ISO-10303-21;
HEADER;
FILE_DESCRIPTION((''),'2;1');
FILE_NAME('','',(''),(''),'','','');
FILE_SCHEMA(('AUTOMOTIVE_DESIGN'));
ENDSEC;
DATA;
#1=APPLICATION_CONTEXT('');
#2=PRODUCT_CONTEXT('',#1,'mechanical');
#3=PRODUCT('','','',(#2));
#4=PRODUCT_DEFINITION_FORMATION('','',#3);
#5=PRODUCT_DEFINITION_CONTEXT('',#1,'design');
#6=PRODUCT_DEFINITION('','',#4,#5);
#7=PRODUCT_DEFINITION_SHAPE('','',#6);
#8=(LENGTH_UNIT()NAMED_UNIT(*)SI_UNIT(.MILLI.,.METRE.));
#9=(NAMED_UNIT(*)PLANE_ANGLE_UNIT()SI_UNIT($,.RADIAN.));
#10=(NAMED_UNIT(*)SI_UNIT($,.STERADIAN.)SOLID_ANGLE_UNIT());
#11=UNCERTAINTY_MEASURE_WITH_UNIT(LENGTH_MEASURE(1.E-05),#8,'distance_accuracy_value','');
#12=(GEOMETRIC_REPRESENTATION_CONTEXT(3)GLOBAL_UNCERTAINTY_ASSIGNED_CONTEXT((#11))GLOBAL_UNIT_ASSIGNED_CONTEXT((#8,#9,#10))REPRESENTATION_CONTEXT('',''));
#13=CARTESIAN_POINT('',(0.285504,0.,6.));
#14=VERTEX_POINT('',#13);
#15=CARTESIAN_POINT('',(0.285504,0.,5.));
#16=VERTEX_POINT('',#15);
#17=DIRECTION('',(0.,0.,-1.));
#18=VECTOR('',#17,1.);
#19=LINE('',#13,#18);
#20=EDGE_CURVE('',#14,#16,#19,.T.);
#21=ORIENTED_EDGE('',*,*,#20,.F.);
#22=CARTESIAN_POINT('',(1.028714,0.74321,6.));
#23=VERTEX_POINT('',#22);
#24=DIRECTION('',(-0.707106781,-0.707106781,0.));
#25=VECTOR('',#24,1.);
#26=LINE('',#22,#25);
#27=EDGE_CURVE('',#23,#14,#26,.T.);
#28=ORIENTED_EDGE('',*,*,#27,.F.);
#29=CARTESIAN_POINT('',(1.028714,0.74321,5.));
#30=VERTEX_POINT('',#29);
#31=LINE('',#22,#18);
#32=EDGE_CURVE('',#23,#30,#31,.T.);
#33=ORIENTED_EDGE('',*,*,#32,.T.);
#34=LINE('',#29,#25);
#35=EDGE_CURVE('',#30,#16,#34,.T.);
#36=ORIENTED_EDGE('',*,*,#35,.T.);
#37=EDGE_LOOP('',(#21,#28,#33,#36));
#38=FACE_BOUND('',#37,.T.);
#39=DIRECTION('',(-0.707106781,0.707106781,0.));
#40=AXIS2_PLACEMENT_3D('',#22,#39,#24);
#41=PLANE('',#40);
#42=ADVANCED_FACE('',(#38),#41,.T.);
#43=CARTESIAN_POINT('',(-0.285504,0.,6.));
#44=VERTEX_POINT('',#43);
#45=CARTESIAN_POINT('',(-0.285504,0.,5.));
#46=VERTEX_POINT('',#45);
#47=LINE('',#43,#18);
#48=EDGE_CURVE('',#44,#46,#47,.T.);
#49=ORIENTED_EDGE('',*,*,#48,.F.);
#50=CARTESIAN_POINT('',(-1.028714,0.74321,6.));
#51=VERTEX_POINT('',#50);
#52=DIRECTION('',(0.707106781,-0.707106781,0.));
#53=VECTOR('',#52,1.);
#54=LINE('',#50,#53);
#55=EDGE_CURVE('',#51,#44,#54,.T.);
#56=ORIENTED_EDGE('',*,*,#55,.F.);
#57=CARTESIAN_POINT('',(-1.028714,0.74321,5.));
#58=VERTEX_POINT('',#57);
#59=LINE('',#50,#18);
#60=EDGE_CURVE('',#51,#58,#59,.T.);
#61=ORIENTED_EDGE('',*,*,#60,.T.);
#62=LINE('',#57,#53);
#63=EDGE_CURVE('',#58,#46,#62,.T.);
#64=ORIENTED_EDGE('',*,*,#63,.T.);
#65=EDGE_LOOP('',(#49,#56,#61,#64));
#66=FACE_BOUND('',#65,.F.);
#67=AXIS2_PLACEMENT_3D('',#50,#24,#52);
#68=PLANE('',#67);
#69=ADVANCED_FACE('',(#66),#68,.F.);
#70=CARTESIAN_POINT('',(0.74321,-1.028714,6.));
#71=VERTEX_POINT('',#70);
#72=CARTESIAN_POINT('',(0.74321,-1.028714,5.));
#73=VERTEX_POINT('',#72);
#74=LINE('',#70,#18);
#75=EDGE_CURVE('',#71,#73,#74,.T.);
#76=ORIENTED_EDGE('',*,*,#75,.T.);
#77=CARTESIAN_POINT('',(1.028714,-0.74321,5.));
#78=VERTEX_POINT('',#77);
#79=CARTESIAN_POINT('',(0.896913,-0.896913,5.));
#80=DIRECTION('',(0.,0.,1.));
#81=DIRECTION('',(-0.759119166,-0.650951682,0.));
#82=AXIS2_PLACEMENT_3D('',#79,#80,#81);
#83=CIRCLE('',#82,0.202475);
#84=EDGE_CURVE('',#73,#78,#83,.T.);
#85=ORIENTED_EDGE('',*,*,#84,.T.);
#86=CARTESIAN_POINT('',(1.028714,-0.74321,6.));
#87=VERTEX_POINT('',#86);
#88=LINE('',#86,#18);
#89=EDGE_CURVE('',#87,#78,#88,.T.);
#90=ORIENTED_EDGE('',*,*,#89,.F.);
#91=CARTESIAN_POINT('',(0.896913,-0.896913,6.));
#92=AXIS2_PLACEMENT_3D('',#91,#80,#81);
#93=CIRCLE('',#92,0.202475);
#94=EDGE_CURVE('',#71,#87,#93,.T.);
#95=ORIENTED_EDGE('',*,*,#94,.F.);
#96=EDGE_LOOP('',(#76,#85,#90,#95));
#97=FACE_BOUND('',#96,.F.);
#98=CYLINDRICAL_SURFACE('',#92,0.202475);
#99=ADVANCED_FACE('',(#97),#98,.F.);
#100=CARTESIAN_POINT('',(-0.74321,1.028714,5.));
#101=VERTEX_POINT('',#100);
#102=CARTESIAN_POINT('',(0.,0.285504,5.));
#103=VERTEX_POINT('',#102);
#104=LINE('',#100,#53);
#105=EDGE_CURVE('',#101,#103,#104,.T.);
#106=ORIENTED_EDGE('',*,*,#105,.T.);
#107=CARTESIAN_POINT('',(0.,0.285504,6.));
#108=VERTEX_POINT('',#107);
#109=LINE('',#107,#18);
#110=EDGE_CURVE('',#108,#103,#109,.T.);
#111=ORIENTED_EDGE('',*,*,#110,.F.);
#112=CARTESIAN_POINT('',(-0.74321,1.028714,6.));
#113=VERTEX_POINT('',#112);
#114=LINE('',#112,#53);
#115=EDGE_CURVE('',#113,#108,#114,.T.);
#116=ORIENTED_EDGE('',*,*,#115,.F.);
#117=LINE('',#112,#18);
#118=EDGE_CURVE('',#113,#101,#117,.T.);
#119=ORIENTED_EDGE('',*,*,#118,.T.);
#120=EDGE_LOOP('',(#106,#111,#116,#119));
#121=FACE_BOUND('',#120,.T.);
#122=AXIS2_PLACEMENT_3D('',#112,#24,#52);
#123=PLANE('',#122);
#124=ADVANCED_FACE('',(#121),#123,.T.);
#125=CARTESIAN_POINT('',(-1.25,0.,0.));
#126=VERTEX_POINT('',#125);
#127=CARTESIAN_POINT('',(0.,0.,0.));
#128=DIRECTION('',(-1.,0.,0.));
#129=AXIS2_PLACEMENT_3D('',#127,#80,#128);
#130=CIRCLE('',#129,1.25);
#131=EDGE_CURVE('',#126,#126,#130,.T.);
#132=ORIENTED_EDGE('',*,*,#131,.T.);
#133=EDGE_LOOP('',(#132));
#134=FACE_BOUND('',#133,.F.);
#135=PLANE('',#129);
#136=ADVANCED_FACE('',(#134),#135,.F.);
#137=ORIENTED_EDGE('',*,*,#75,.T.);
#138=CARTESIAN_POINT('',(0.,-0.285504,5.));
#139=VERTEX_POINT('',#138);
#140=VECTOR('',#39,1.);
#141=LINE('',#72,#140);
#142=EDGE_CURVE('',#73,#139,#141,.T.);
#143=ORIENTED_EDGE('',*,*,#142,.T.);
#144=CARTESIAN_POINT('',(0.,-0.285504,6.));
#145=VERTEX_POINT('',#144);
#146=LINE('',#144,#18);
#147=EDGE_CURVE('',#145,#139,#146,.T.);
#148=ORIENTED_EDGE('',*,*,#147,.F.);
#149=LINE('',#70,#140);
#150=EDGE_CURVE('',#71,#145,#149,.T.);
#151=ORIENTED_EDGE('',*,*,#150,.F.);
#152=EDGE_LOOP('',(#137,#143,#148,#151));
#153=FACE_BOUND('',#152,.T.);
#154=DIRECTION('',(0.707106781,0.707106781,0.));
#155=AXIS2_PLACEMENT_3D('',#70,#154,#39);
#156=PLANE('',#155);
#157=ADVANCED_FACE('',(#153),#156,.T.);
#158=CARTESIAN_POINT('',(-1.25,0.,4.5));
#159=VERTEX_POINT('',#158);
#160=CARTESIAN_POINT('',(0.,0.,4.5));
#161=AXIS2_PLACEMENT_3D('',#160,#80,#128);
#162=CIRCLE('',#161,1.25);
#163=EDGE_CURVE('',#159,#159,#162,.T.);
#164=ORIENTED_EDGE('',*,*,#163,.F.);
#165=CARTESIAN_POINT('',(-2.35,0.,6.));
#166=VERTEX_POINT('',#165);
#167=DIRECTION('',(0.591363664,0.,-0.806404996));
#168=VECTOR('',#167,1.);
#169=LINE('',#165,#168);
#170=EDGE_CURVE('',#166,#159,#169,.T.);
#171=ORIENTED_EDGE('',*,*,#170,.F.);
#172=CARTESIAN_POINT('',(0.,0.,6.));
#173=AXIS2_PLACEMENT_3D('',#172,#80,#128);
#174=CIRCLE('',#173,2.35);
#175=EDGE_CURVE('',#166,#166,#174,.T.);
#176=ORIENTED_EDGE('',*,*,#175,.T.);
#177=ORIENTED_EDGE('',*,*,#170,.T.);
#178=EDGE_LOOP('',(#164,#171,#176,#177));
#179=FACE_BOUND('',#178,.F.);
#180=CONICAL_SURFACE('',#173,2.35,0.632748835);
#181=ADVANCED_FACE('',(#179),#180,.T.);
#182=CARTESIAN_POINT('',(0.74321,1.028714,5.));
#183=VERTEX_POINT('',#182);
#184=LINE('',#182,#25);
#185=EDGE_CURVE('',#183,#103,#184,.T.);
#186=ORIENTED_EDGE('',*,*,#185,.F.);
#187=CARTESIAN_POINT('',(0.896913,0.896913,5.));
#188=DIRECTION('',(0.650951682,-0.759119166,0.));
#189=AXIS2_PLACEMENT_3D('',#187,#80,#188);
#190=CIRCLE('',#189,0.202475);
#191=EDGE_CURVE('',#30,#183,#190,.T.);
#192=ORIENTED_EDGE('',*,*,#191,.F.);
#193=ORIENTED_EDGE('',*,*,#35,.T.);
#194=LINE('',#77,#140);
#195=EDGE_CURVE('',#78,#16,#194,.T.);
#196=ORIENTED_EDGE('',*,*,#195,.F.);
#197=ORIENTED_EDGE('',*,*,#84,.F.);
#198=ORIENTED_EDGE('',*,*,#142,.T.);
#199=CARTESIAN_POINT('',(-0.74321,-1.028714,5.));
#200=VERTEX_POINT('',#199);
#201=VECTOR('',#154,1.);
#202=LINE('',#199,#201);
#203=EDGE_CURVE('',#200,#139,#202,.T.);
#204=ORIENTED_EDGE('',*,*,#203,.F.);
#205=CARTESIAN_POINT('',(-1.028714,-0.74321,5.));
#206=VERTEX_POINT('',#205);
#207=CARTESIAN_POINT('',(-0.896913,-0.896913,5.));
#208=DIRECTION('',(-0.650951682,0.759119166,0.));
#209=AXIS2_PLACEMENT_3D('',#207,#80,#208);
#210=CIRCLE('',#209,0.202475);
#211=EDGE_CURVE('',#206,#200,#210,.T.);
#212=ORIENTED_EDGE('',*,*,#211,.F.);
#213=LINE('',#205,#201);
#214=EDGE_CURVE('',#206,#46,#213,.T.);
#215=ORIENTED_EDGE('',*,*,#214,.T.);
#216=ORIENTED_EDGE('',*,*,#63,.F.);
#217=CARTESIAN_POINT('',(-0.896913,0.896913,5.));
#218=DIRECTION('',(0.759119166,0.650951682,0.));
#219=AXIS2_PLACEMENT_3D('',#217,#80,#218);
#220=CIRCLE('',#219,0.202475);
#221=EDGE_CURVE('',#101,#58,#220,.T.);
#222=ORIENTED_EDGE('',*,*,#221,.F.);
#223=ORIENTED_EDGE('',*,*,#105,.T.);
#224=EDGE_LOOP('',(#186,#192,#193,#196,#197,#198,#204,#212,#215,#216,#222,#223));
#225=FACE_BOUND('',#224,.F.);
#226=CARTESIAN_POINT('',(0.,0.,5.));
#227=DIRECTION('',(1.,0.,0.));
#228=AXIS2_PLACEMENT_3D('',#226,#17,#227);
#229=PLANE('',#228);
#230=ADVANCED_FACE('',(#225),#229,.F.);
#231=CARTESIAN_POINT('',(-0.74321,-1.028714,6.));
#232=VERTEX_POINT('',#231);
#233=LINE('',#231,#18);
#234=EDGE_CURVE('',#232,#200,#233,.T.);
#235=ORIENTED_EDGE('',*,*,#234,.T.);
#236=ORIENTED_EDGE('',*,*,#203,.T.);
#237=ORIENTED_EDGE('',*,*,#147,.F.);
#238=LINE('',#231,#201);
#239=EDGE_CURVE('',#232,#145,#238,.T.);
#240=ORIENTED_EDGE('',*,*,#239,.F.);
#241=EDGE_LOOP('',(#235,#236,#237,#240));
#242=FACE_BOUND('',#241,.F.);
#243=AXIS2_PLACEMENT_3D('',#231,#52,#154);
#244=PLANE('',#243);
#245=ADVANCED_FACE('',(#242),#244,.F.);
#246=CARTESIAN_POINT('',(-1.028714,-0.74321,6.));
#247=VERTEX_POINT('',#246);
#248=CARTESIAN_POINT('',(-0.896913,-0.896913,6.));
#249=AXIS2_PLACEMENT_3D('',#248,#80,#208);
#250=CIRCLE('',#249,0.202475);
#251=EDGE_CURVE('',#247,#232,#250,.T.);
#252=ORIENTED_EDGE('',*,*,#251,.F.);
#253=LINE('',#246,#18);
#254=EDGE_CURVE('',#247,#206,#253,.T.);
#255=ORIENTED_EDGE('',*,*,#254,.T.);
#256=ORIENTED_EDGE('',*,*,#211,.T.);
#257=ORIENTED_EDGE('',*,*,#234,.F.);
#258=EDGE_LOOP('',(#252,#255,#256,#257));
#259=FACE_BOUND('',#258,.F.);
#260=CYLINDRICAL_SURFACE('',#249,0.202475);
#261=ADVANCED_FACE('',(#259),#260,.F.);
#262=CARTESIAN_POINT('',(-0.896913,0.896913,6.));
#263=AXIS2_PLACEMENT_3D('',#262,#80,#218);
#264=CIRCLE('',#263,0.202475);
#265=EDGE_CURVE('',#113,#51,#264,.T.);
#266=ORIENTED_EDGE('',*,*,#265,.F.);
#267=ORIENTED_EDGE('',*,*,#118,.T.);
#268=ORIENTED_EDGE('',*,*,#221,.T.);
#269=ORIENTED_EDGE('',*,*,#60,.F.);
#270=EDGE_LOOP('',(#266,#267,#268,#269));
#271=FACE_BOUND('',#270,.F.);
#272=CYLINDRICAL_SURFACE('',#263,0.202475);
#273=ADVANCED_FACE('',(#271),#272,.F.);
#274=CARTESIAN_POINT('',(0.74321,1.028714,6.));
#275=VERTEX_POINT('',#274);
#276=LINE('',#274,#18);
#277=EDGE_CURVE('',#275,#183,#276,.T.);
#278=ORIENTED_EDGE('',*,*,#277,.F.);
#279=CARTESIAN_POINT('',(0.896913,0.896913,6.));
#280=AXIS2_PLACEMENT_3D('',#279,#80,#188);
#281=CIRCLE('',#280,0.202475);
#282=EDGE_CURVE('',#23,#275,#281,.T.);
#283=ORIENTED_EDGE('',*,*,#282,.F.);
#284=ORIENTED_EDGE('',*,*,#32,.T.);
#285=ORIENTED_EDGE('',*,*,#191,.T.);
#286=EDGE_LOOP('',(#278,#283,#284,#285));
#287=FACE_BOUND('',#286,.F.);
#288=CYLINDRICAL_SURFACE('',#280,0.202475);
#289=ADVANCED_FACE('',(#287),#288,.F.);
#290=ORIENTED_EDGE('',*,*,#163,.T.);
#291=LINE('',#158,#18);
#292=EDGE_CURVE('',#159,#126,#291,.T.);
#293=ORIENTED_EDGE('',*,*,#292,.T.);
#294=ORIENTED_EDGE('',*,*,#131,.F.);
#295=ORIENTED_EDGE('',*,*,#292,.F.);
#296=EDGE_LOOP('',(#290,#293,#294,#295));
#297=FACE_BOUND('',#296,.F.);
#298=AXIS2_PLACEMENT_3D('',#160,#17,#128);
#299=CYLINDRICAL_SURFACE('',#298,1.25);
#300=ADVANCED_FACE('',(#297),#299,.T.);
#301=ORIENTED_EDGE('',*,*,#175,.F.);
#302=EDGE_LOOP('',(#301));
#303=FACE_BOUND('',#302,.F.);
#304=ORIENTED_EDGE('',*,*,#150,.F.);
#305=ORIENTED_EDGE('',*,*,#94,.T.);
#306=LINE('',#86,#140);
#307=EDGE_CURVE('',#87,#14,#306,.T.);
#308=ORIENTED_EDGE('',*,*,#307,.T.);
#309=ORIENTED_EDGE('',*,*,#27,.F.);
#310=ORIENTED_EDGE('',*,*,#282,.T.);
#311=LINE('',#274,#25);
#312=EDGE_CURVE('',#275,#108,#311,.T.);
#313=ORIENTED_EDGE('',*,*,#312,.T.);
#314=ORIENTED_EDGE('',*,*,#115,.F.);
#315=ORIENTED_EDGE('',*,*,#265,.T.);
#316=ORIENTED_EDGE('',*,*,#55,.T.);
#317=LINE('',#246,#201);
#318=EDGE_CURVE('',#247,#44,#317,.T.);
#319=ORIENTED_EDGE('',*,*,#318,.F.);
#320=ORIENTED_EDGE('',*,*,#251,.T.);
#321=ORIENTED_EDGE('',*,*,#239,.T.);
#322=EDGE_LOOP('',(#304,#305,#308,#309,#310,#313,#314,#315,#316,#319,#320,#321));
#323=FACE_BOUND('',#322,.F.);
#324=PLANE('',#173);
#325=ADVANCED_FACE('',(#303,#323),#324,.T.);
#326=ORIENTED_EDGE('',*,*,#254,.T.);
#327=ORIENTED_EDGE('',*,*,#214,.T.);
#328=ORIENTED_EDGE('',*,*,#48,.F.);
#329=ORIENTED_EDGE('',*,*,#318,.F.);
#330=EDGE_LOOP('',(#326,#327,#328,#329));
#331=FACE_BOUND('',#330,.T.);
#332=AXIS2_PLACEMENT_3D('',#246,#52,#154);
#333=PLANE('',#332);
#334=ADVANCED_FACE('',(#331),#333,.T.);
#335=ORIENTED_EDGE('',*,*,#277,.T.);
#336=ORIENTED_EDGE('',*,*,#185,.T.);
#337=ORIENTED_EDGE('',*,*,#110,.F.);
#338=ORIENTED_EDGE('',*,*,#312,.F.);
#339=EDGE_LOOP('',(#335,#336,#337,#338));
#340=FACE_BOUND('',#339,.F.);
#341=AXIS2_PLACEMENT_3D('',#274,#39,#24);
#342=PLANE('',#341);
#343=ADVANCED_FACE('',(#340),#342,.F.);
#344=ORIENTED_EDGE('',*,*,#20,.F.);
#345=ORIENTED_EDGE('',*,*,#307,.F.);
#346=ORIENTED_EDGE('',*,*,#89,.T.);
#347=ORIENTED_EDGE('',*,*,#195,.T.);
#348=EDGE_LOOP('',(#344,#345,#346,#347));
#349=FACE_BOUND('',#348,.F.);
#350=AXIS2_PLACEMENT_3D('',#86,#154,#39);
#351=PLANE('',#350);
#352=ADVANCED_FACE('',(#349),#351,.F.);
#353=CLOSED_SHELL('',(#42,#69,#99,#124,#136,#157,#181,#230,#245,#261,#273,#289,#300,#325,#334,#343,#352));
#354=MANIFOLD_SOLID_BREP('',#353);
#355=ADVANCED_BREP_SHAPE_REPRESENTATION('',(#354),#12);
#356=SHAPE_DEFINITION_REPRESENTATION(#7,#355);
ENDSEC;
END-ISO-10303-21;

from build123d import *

# Parameters (mm, degrees)
POCKET_DEPTH = 1


with BuildPart() as part:
    # Sketch → Revolution (revolve)
    with BuildSketch(Plane.XZ):
        Polygon((0, 6), (-2.35, 6), (-1.25, 4.5), (-1.25, 0), (0, 0), align=None)
    revolve(axis=Axis((0, 0, 0), (0, 0, 1)))

    # Sketch001 (on Face1 of Revolution) → Pocket (cut)
    with BuildSketch(Plane(origin=(0, 0, 6), x_dir=(-1, 0, 0), z_dir=(0, 0, 1))):
        with BuildLine():
            Line((-0.74321, 1.028714), (0, 0.285504))
            Line((0.74321, 1.028714), (0, 0.285504))
            ThreePointArc((1.028714, 0.74321), (1.040084, 1.040084), (0.74321, 1.028714))
            Line((1.028714, 0.74321), (0.285504, 0))
            Line((1.028714, -0.74321), (0.285504, 0))
            ThreePointArc((0.74321, -1.028714), (1.040084, -1.040084), (1.028714, -0.74321))
            Line((0.74321, -1.028714), (0, -0.285504))
            Line((-0.74321, -1.028714), (0, -0.285504))
            ThreePointArc((-1.028714, -0.74321), (-1.040084, -1.040084), (-0.74321, -1.028714))
            Line((-1.028714, -0.74321), (-0.285504, 0))
            Line((-1.028714, 0.74321), (-0.285504, 0))
            ThreePointArc((-0.74321, 1.028714), (-1.040084, 1.040084), (-1.028714, 0.74321))
        make_face()
    extrude(amount=-POCKET_DEPTH, mode=Mode.SUBTRACT)


solid = part.part
